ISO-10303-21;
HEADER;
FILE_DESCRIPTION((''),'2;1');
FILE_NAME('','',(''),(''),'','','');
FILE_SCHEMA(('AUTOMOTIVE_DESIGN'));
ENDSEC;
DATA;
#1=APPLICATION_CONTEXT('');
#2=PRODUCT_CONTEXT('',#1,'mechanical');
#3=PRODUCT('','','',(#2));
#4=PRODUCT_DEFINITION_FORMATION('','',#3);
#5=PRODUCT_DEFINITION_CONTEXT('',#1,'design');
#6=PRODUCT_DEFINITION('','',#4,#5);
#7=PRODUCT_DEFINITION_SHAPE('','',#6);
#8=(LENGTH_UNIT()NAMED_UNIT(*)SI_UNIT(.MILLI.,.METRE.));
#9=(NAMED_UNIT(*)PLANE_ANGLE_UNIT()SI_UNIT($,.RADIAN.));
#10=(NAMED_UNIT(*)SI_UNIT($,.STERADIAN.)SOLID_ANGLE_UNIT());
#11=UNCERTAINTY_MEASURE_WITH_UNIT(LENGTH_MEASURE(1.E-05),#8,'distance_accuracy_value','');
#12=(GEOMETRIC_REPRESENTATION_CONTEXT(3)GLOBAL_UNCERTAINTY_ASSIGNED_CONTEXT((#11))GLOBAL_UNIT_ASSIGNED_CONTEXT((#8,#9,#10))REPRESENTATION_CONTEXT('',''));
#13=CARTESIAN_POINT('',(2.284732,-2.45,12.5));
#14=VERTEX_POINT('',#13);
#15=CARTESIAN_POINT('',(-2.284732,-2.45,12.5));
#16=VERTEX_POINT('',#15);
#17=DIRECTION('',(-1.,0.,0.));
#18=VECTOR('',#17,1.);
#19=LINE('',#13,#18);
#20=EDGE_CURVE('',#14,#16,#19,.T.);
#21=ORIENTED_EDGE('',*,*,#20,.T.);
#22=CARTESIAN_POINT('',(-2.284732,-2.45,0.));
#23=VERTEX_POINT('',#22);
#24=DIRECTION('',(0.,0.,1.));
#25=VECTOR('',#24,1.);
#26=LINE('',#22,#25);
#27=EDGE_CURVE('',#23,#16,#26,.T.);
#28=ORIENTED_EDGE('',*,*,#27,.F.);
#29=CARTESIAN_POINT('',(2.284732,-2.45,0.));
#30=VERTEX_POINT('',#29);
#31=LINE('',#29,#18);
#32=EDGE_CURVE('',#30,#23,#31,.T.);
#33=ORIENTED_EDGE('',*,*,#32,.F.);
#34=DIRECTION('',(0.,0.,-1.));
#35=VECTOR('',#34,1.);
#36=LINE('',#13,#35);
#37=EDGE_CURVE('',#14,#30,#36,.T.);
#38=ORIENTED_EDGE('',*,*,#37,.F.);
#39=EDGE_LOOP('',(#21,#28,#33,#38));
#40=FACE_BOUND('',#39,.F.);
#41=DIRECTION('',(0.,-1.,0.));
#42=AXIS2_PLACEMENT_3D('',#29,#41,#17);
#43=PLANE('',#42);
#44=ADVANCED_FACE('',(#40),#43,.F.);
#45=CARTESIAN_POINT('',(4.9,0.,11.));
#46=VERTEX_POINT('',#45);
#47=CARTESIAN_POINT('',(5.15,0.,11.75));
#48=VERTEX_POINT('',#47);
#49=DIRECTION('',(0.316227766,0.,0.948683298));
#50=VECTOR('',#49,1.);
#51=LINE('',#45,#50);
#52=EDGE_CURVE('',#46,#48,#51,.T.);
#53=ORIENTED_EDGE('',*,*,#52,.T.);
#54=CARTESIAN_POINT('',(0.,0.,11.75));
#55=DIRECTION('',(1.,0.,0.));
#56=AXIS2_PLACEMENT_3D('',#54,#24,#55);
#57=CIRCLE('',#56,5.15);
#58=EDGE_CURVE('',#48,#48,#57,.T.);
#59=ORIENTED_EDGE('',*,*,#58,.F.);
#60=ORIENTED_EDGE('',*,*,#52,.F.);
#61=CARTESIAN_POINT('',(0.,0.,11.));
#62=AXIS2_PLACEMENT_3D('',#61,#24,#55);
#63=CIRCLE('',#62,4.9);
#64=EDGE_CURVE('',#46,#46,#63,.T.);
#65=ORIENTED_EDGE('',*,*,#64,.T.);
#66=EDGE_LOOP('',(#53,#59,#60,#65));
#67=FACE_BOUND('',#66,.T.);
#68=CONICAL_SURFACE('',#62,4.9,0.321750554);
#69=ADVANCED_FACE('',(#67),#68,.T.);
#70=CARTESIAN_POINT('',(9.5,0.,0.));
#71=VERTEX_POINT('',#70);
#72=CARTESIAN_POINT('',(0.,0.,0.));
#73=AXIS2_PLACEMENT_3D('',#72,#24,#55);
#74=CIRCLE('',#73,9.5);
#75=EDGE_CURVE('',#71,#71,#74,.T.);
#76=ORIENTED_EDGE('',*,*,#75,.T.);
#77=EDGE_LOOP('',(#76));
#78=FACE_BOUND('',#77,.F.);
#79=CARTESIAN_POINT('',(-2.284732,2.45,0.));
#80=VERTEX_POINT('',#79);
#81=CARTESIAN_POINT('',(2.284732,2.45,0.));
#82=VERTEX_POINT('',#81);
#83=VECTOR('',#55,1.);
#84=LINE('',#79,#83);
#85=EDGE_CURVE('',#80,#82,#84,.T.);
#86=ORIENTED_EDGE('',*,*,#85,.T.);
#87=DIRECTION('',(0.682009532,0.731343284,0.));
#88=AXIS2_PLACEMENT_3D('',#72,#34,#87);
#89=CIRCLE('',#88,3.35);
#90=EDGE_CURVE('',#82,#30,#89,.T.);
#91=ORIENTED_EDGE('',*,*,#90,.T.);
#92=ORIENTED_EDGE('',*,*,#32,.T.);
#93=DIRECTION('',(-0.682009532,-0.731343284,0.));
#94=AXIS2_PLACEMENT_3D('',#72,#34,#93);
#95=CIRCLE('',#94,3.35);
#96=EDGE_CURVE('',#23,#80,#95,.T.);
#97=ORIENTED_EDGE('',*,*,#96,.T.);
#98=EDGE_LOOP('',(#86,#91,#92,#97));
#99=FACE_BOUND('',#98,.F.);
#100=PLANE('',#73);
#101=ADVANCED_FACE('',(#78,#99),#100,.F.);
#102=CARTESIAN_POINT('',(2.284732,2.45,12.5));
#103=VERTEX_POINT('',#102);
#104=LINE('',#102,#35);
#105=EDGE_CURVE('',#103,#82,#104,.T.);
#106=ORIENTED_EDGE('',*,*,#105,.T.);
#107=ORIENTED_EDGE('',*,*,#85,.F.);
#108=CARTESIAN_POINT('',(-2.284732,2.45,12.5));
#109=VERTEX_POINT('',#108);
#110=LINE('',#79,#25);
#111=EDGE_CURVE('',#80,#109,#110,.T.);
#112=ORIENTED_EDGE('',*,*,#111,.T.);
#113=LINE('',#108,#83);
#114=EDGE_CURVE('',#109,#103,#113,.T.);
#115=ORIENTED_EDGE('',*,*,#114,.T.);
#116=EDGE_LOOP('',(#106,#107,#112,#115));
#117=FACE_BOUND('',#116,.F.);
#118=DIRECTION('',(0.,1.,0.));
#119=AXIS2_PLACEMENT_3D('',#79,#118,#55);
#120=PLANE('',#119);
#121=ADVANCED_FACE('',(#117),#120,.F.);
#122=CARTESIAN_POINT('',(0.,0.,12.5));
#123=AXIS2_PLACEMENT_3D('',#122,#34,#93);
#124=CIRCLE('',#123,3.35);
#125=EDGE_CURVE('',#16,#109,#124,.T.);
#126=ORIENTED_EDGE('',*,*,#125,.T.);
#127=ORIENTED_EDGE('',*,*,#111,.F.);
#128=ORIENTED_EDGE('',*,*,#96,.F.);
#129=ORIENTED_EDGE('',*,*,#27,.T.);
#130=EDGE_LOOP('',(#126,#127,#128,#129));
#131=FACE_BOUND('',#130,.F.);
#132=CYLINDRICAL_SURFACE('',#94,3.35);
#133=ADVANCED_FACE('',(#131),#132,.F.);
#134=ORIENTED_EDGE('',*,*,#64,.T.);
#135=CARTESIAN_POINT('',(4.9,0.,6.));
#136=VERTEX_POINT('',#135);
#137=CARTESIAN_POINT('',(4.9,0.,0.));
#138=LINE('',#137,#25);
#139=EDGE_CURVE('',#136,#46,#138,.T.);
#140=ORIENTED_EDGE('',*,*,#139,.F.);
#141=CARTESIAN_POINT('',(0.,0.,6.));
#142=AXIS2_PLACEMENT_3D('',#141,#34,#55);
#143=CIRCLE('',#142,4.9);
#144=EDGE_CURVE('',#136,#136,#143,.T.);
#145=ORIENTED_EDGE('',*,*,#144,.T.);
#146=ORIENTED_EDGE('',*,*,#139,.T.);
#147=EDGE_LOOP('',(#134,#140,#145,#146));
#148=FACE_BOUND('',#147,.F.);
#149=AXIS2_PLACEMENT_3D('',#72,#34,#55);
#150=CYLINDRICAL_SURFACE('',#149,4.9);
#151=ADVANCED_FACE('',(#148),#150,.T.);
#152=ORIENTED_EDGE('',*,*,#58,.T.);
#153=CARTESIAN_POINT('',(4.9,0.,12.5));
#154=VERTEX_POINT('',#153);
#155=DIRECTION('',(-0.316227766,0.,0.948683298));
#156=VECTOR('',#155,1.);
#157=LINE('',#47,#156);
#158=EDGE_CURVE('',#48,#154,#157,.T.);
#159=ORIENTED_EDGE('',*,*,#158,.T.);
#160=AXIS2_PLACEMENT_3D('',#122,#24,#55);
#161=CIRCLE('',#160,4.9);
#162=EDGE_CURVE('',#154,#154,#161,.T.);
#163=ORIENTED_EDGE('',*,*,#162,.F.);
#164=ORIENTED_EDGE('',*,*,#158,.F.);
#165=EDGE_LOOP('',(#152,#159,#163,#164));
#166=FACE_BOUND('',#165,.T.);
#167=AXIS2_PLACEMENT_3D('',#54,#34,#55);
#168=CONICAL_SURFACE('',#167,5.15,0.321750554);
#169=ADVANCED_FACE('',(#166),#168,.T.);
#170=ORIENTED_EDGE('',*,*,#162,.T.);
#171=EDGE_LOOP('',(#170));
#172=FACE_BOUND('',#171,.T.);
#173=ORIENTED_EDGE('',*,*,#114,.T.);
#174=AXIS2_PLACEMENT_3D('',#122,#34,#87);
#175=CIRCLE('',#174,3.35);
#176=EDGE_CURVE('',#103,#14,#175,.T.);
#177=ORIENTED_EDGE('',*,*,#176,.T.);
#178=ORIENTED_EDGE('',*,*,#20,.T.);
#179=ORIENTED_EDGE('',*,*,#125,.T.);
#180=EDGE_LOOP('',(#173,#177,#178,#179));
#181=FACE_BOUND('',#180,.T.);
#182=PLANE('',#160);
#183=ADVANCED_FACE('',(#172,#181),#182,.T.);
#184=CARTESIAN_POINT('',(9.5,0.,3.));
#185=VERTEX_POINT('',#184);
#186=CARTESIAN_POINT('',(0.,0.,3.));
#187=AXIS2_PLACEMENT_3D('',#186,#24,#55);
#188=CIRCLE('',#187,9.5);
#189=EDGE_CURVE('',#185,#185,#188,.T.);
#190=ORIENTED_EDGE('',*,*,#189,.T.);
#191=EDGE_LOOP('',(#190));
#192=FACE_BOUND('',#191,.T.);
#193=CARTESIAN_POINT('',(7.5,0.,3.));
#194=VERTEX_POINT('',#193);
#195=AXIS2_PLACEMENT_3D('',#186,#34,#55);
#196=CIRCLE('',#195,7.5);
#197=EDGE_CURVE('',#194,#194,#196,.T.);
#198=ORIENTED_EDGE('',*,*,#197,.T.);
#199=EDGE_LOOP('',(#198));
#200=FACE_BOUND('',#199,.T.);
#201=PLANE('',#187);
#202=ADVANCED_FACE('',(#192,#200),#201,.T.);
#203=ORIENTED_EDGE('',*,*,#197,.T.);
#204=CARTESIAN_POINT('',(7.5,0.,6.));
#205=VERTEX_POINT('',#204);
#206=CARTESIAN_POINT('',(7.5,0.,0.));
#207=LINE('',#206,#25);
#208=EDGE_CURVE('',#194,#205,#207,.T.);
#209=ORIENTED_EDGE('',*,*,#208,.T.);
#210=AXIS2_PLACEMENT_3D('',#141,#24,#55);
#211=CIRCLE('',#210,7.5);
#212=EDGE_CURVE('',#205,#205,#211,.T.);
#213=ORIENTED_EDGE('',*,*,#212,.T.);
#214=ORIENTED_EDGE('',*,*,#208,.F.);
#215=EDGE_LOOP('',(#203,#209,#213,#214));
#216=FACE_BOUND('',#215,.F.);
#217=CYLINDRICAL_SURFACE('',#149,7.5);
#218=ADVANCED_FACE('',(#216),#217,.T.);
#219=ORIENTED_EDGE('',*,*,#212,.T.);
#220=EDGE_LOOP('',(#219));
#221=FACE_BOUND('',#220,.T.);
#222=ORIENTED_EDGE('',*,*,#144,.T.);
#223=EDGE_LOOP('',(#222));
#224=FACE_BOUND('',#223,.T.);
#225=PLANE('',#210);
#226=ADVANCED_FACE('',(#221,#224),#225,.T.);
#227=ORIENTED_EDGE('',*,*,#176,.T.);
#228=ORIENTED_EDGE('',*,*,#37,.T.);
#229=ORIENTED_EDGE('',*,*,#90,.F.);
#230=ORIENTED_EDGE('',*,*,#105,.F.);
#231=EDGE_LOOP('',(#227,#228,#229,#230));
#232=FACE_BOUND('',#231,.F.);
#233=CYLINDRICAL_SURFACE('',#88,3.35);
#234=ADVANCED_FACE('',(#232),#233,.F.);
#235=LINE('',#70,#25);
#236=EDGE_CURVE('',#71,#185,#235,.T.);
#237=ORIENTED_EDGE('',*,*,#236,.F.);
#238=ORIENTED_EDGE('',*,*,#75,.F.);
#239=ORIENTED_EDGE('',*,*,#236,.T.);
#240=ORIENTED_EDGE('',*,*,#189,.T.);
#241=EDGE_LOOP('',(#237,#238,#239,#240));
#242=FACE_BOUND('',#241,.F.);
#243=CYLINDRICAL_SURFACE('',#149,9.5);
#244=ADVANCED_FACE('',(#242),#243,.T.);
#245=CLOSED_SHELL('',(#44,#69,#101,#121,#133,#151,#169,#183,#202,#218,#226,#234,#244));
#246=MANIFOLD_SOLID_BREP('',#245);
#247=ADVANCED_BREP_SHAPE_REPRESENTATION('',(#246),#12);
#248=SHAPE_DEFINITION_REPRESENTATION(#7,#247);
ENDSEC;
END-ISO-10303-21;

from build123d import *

# Parameters (mm, degrees)
F3_R     = 9.5
F3_R_2   = 7.5
F3_R_3   = 4.9
F4_DEPTH = 3
F5_DEPTH = 6
F6_DEPTH = 12.5


with BuildPart() as f4:
    # F3 (on Top) → F4 (new body)
    with BuildSketch(Plane.XY):
        Circle(F3_R)
        Circle(F3_R_2, mode=Mode.SUBTRACT)
        Circle(F3_R_2)
        Circle(F3_R_3, mode=Mode.SUBTRACT)
        Circle(F3_R_3)
        with BuildLine():
            ThreePointArc((-2.2847319318, -2.45), (-3.35, 0), (-2.2847319318, 2.45))
            Line((-2.2847319318, 2.45), (2.2847319318, 2.45))
            ThreePointArc((2.2847319318, 2.45), (3.35, 0), (2.2847319318, -2.45))
            Line((2.2847319318, -2.45), (-2.2847319318, -2.45))
        make_face(mode=Mode.SUBTRACT)
    extrude(amount=F4_DEPTH)

    # F3 (on Top) → F5 (join)
    with BuildSketch(Plane.XY):
        Circle(F3_R_2)
        Circle(F3_R_3, mode=Mode.SUBTRACT)
        Circle(F3_R_3)
        with BuildLine():
            ThreePointArc((-2.2847319318, -2.45), (-3.35, 0), (-2.2847319318, 2.45))
            Line((-2.2847319318, 2.45), (2.2847319318, 2.45))
            ThreePointArc((2.2847319318, 2.45), (3.35, 0), (2.2847319318, -2.45))
            Line((2.2847319318, -2.45), (-2.2847319318, -2.45))
        make_face(mode=Mode.SUBTRACT)
    extrude(amount=F5_DEPTH)

    # F3 (on Top) → F6 (join)
    with BuildSketch(Plane.XY):
        Circle(F3_R_3)
        with BuildLine():
            ThreePointArc((-2.2847319318, -2.45), (-3.35, 0), (-2.2847319318, 2.45))
            Line((-2.2847319318, 2.45), (2.2847319318, 2.45))
            ThreePointArc((2.2847319318, 2.45), (3.35, 0), (2.2847319318, -2.45))
            Line((2.2847319318, -2.45), (-2.2847319318, -2.45))
        make_face(mode=Mode.SUBTRACT)
    extrude(amount=F6_DEPTH)

    # F7 (on Front) → F8 (revolve)
    with BuildSketch(Plane.XZ):
        Polygon((5.15, 11.75), (4.9, 12.5), (4.9, 11), align=None)
    revolve(axis=Axis((0, 0, 8.7542282417), (0, 0, 1)))


solid = f4.part
